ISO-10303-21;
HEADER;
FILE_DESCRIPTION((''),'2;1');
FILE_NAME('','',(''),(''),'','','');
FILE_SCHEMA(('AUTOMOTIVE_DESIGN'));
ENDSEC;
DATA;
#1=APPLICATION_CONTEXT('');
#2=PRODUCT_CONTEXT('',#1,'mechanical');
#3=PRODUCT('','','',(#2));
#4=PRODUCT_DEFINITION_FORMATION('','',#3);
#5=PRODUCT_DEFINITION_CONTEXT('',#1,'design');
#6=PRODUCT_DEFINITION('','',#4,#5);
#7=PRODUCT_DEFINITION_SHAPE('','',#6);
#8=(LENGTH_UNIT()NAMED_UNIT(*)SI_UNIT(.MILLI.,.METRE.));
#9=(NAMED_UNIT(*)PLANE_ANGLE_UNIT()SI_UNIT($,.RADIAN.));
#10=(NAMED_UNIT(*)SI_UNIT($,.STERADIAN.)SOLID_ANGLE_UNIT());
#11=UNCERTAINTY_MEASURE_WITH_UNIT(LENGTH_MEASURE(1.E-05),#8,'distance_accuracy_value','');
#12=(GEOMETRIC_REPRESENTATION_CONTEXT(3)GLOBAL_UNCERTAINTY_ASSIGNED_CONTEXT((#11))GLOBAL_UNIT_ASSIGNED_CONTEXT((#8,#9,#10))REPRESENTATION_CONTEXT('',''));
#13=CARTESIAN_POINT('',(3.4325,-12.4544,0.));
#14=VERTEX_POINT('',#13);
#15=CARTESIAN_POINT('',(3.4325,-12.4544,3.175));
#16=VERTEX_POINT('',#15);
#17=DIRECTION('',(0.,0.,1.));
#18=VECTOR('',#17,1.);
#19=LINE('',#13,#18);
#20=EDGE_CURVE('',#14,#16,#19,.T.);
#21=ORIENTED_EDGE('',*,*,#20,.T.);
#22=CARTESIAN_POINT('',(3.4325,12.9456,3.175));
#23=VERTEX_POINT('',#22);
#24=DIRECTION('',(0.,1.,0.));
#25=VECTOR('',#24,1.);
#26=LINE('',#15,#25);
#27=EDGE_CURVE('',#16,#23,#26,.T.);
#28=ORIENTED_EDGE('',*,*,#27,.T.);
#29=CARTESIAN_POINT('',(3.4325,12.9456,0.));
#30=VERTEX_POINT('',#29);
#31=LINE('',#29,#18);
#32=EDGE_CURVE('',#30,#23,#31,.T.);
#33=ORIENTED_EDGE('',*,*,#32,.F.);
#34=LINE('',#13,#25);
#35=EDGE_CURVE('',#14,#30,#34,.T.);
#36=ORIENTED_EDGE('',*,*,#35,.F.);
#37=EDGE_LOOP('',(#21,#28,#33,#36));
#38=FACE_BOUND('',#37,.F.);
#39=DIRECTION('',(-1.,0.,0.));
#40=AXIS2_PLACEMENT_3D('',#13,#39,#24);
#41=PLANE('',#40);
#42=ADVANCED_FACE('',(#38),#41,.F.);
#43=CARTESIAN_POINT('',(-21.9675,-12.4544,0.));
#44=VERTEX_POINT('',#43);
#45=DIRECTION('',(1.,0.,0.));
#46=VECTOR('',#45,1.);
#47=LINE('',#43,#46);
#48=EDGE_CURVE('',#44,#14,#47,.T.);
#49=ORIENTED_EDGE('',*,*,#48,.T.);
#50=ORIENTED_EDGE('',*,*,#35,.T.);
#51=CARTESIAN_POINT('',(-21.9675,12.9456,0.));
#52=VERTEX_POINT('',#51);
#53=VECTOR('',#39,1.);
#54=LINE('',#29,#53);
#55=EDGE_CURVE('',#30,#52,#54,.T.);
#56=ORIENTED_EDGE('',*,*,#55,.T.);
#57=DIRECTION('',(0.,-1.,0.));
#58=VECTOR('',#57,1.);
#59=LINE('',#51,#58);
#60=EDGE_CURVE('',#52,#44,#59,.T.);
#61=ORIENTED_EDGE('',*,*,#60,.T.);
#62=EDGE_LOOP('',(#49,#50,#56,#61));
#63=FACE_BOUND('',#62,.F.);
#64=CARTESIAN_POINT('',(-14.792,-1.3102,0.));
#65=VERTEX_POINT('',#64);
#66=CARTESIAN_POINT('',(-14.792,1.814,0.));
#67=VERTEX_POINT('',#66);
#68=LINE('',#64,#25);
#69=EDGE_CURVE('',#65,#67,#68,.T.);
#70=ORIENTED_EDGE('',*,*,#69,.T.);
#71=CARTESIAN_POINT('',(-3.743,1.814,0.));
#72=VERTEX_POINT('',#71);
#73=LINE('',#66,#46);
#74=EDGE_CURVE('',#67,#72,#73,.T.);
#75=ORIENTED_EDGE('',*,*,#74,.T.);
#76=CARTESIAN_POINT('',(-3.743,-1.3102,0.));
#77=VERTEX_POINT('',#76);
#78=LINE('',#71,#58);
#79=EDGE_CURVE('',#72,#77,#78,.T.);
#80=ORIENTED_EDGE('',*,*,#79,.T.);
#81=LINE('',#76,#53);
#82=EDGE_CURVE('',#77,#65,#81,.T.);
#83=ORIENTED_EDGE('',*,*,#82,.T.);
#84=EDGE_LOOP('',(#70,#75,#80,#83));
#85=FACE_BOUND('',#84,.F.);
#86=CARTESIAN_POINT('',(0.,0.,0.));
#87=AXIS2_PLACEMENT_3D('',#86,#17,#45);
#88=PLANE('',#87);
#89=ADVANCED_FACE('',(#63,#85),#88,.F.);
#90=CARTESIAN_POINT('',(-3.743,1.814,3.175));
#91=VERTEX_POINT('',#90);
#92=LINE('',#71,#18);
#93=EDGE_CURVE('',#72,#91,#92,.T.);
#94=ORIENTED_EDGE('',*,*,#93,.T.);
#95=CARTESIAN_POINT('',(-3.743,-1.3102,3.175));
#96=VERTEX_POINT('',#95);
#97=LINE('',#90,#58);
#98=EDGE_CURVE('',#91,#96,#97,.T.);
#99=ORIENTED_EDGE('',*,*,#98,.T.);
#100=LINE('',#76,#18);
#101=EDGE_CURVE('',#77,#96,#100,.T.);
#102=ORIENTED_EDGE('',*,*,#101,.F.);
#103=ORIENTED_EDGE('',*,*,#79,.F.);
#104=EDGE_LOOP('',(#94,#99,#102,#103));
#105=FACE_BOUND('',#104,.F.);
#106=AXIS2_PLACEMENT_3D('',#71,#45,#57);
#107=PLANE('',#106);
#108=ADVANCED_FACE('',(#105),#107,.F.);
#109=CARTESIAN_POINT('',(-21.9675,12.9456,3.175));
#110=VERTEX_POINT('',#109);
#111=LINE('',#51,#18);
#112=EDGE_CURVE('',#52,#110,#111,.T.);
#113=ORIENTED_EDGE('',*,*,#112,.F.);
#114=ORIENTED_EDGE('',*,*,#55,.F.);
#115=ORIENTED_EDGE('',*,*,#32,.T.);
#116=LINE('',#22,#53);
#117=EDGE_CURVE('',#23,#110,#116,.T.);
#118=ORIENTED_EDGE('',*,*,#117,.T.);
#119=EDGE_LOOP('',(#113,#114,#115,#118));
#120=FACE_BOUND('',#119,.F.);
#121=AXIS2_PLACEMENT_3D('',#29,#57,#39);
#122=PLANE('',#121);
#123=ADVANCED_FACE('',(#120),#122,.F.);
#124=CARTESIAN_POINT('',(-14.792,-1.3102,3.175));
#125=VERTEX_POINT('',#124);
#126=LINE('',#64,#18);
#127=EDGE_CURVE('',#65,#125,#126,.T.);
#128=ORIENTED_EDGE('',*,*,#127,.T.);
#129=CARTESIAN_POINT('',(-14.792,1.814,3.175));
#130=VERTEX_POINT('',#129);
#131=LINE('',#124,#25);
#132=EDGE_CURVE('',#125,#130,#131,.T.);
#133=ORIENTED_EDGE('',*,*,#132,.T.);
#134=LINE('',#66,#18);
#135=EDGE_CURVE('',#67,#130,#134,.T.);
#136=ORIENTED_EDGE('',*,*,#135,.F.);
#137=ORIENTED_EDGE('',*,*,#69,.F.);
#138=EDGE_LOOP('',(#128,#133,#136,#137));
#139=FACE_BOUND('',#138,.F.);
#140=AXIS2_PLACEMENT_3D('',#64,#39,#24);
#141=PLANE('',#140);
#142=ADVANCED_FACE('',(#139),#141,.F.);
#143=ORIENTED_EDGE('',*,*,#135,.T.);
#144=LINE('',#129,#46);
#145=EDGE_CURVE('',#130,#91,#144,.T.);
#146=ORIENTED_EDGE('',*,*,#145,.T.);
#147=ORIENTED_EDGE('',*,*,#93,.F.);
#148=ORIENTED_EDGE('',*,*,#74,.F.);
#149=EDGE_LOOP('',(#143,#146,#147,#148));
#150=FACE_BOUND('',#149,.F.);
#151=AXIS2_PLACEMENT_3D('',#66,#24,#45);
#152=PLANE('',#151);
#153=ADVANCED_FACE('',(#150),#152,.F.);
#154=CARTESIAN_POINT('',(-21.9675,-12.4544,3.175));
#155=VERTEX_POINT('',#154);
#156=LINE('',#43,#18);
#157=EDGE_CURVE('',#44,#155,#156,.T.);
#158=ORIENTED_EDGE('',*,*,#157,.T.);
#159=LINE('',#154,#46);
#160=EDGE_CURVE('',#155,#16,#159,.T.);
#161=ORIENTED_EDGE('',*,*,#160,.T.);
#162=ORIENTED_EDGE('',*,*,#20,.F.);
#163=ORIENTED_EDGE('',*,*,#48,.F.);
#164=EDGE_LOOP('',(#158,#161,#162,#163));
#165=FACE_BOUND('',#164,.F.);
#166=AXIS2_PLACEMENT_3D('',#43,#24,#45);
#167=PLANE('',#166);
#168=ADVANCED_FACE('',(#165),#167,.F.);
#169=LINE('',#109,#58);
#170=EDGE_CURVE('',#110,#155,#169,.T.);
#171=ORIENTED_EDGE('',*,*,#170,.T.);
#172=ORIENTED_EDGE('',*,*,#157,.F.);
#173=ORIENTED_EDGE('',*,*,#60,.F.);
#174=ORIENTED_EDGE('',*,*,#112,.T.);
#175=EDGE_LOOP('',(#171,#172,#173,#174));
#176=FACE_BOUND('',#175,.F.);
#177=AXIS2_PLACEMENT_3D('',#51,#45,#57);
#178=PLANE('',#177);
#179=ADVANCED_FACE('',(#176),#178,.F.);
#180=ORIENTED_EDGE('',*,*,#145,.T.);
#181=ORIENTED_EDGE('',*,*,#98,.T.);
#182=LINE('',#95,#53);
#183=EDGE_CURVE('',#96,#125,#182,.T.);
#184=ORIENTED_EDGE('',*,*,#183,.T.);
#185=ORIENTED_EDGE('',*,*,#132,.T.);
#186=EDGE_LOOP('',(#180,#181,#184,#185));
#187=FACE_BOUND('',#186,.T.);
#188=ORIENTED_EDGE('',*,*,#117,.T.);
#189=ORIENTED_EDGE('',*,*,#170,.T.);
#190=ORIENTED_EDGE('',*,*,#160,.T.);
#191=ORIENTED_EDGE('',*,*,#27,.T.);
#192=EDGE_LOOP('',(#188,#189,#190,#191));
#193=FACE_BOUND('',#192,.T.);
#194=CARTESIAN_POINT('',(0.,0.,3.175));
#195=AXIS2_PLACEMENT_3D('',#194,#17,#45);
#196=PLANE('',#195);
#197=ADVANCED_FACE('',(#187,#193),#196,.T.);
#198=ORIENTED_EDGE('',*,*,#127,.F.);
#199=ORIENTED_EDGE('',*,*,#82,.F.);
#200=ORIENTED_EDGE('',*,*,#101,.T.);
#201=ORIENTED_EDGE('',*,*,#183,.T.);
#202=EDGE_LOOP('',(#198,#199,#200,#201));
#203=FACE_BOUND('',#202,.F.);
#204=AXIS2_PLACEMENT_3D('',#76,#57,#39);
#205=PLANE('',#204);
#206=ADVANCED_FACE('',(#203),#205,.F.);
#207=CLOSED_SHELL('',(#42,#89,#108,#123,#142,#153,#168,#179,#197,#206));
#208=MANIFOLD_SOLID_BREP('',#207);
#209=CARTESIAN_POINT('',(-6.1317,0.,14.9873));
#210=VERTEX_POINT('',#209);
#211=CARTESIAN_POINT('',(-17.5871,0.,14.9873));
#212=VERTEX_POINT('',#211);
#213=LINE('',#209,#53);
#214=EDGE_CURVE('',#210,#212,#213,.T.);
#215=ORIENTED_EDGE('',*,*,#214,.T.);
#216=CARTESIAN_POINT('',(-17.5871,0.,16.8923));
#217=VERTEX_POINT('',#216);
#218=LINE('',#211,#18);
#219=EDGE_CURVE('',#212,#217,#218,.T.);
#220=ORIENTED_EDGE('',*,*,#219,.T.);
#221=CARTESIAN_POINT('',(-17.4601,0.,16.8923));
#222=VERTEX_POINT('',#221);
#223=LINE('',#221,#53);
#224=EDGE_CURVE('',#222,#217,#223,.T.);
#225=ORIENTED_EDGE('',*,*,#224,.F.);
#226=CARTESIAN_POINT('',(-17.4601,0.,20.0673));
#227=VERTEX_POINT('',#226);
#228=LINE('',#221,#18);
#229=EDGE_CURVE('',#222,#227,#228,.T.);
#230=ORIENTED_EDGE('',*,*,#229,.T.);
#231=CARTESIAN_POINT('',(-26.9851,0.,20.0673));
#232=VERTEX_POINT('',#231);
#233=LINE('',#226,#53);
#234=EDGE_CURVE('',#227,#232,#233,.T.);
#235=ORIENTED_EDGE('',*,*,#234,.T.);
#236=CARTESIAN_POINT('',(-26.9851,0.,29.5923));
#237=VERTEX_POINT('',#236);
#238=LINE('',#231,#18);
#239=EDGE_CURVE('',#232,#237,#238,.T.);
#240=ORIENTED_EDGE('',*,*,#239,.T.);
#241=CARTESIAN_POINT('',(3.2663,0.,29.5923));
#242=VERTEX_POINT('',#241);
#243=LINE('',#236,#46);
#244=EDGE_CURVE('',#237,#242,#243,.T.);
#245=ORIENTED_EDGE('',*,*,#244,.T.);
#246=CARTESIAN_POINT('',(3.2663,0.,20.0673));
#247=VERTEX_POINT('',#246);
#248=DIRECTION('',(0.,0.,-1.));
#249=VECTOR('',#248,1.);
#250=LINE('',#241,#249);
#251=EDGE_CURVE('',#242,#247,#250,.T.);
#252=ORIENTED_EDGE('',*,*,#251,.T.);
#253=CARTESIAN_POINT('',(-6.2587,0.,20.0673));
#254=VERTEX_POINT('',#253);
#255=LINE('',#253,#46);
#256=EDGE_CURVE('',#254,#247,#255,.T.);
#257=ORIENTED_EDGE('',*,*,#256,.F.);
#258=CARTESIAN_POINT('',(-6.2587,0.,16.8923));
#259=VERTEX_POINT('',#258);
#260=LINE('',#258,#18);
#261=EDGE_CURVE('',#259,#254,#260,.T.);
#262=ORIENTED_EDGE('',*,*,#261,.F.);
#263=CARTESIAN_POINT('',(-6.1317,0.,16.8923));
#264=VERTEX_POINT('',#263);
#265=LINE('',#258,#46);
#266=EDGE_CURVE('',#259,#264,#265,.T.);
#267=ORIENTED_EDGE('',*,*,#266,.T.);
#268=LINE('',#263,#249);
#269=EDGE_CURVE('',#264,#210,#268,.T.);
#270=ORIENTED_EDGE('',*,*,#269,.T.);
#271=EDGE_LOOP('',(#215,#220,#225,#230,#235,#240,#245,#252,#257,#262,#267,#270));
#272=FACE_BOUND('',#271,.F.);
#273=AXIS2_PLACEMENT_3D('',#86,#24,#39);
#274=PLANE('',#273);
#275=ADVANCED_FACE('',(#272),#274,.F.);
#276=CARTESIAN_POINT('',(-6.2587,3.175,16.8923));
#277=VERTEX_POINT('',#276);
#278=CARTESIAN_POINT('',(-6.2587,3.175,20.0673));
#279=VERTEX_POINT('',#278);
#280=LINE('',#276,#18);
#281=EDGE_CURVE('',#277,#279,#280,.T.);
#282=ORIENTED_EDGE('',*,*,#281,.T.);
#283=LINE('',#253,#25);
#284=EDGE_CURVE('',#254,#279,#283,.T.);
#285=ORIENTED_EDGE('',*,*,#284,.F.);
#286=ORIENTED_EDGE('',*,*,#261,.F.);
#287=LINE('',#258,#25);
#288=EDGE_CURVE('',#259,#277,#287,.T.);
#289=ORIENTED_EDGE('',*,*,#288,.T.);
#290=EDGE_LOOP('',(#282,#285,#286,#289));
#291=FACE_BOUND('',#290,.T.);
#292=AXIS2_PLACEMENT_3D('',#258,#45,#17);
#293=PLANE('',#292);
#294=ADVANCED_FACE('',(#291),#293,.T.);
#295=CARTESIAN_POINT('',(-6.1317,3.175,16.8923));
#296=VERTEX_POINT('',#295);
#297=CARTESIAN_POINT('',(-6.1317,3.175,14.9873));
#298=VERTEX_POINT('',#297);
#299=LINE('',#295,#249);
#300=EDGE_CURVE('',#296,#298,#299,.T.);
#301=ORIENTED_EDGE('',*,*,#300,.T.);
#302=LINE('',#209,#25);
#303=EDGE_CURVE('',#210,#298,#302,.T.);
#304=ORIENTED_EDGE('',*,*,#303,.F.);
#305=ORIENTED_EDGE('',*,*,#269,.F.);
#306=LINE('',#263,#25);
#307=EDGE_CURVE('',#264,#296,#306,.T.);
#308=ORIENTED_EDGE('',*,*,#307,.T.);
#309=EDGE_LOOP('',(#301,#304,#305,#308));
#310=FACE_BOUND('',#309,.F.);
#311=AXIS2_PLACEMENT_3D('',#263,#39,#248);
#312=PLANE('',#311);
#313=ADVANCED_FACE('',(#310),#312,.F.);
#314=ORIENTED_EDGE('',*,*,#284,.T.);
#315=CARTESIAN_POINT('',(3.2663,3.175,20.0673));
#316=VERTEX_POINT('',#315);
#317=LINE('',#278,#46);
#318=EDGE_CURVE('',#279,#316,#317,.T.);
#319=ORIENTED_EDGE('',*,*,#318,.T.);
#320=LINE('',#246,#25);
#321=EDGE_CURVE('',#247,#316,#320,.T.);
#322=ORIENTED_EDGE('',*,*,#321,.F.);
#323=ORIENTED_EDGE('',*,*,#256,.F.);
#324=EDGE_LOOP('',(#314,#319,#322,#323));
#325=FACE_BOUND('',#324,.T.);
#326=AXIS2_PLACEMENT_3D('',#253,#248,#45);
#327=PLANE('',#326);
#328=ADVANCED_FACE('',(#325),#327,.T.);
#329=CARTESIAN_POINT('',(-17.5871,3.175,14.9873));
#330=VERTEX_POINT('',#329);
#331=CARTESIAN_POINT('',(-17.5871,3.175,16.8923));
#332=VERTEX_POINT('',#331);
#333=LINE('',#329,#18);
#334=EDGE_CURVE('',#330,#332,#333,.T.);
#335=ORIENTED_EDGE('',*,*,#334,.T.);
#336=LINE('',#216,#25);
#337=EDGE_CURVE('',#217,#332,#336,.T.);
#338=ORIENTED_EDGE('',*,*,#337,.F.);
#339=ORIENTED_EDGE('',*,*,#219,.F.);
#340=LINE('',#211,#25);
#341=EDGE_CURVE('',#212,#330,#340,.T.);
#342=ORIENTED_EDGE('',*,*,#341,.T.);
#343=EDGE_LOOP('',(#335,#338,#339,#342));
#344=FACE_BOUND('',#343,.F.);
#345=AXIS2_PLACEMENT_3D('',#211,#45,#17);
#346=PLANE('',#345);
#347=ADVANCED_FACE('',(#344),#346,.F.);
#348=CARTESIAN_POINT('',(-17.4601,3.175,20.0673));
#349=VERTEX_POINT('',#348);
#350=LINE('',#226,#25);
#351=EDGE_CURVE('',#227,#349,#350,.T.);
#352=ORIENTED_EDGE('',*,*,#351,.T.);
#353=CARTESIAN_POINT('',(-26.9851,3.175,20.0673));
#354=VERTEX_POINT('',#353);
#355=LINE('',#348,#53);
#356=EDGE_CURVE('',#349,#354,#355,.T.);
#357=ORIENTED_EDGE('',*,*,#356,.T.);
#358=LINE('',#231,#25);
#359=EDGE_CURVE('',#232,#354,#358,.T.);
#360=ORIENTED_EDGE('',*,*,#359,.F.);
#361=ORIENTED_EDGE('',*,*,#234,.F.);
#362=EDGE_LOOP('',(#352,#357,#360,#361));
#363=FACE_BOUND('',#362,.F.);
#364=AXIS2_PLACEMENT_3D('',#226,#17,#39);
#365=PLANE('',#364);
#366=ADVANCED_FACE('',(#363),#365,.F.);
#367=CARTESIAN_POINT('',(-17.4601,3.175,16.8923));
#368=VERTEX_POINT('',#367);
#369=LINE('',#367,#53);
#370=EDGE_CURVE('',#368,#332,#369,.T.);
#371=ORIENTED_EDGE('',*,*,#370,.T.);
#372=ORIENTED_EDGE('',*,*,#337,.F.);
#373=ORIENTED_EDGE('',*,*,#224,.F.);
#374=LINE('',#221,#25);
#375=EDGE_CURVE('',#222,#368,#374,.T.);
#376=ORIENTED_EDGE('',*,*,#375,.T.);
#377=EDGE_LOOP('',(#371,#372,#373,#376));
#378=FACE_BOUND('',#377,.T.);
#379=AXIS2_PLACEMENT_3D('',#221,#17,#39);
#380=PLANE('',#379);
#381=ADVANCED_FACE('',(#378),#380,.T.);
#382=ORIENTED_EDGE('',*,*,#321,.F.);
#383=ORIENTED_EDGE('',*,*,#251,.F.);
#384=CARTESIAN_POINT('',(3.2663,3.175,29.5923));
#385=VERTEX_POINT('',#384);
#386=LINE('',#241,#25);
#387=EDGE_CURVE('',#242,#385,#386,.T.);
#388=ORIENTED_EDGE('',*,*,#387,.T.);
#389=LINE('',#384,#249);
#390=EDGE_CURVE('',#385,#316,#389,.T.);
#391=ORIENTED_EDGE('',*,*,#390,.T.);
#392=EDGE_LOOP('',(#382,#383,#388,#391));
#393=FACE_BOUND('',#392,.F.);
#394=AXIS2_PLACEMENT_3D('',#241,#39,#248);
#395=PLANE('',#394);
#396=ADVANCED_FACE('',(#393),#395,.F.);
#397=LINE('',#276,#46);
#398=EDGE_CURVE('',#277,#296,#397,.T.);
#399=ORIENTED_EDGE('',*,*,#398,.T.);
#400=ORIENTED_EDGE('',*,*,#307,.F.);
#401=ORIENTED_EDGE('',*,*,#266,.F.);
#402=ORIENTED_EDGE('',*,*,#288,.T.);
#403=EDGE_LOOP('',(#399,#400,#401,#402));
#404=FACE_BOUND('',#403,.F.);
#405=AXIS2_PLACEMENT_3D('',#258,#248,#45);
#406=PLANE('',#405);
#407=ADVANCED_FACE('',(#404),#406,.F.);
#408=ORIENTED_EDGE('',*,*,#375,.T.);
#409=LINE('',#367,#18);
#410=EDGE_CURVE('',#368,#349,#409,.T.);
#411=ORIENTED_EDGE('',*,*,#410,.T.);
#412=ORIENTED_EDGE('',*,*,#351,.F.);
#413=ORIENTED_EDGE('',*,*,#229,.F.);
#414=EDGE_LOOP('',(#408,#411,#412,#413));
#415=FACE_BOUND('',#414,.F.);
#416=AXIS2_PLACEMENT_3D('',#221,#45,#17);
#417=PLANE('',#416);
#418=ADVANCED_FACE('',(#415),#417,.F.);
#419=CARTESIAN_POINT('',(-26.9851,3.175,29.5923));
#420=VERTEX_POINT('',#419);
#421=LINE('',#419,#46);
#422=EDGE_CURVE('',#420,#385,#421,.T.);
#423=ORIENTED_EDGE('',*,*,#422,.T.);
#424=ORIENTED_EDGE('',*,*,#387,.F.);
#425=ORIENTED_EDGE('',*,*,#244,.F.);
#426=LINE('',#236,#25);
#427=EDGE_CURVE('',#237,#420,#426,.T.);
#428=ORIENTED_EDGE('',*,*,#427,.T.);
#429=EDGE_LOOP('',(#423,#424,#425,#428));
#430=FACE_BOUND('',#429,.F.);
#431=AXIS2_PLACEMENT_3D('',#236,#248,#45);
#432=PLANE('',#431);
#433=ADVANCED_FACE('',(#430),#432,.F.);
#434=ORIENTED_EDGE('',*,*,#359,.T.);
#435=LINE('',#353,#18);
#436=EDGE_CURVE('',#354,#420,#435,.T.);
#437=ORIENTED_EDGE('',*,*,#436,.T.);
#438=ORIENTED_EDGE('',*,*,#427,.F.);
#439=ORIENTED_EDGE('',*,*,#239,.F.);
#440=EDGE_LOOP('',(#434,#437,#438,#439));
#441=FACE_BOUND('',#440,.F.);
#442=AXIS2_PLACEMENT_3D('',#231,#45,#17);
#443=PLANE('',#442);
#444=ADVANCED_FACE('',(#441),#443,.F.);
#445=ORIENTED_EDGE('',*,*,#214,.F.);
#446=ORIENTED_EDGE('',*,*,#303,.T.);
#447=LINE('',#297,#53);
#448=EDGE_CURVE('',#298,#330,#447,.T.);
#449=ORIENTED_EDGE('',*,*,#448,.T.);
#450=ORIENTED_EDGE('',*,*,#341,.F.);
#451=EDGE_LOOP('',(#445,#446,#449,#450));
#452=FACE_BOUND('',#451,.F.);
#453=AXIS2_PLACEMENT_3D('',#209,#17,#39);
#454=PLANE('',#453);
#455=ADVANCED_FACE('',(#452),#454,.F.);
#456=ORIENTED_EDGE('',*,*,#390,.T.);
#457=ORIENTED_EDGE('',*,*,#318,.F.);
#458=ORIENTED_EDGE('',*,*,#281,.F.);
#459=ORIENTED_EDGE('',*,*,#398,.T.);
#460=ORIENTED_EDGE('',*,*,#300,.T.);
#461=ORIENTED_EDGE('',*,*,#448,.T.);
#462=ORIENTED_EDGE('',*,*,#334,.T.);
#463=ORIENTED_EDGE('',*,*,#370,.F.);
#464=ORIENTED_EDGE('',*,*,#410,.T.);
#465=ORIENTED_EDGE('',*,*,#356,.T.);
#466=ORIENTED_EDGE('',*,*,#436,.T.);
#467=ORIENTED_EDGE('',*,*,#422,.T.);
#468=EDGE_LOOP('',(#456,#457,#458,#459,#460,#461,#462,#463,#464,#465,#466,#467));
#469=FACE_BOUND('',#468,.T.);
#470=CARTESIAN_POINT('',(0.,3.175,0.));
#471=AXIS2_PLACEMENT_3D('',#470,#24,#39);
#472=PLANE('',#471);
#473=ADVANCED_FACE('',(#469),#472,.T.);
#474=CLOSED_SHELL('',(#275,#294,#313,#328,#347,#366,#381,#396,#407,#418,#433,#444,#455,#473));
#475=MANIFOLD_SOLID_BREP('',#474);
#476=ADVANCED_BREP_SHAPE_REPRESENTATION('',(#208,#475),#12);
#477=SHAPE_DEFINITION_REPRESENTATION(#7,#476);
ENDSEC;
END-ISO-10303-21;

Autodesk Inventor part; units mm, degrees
ref_plane "YZ Plane" through (0, 0, 0) normal (1, 0, 0) x (0, 1, 0)
ref_plane "XZ Plane" through (0, 0, 0) normal (0, 1, 0) x (-1, 0, 0)
ref_plane "XY Plane" through (0, 0, 0) normal (0, 0, 1) x (1, 0, 0)
sketch "Sketch1" plane through (0, 0, 0) normal (0, 0, 1) x (1, 0, 0)
  line L0 (-14.792, -1.3102) -> (-14.792, 1.814)
  line L1 (-14.792, 1.814) -> (-3.743, 1.814)
  line L2 (-3.743, 1.814) -> (-3.743, -1.3102)
  line L3 (-3.743, -1.3102) -> (-14.792, -1.3102)
  line L4 (-21.9675, -12.4544) -> (3.4325, -12.4544)
  line L5 (3.4325, -12.4544) -> (3.4325, 12.9456)
  line L6 (3.4325, 12.9456) -> (-21.9675, 12.9456)
  line L7 (-21.9675, 12.9456) -> (-21.9675, -12.4544)
  line L8 (-21.9675, -12.4544) -> (3.4325, 12.9456) construction
  line L9 (3.4325, -12.4544) -> (-21.9675, 12.9456) construction
  point P0 (0, 0)
  point P1 (-9.2675, 0.2456)
  dimension "d0" = 3.1242
  dimension "d2" = 11.049
  dimension "d3" = 25.4
  dimension "d4" = 25.4
extrude "Extrusion1" add sketch "Sketch1" along normal blind 3.175
sketch "Sketch2" plane through (0, 0, 0) normal (0, 1, 0) x (-1, 0, 0)
  line L0 (17.4601, 16.8923) -> (17.4601, 20.0673)
  line L1 (6.2587, 16.8923) -> (6.2587, 20.0673)
  line L2 (6.2587, 20.0673) -> (-3.2663, 20.0673)
  line L3 (17.4601, 20.0673) -> (26.9851, 20.0673)
  line L4 (26.9851, 20.0673) -> (26.9851, 29.5923)
  line L5 (26.9851, 29.5923) -> (-3.2663, 29.5923)
  line L6 (-3.2663, 29.5923) -> (-3.2663, 20.0673)
  line L7 (17.4601, 16.8923) -> (17.5871, 16.8923)
  line L8 (6.2587, 16.8923) -> (6.1317, 16.8923)
  line L9 (6.1317, 16.8923) -> (6.1317, 14.9873)
  line L10 (6.1317, 14.9873) -> (17.5871, 14.9873)
  line L11 (17.5871, 14.9873) -> (17.5871, 16.8923)
  point P0 (0, 0)
  dimension "d10" = 9.525
  dimension "d11" = 9.525
  dimension "d12" = 9.525
  dimension "d14" = 0.127
  dimension "d15" = 0.127
  dimension "d16" = 1.905
  dimension "d19" = 11.2014
  dimension "d20" = 11.4554
extrude "Extrusion2" add sketch "Sketch2" along normal blind 3.175
